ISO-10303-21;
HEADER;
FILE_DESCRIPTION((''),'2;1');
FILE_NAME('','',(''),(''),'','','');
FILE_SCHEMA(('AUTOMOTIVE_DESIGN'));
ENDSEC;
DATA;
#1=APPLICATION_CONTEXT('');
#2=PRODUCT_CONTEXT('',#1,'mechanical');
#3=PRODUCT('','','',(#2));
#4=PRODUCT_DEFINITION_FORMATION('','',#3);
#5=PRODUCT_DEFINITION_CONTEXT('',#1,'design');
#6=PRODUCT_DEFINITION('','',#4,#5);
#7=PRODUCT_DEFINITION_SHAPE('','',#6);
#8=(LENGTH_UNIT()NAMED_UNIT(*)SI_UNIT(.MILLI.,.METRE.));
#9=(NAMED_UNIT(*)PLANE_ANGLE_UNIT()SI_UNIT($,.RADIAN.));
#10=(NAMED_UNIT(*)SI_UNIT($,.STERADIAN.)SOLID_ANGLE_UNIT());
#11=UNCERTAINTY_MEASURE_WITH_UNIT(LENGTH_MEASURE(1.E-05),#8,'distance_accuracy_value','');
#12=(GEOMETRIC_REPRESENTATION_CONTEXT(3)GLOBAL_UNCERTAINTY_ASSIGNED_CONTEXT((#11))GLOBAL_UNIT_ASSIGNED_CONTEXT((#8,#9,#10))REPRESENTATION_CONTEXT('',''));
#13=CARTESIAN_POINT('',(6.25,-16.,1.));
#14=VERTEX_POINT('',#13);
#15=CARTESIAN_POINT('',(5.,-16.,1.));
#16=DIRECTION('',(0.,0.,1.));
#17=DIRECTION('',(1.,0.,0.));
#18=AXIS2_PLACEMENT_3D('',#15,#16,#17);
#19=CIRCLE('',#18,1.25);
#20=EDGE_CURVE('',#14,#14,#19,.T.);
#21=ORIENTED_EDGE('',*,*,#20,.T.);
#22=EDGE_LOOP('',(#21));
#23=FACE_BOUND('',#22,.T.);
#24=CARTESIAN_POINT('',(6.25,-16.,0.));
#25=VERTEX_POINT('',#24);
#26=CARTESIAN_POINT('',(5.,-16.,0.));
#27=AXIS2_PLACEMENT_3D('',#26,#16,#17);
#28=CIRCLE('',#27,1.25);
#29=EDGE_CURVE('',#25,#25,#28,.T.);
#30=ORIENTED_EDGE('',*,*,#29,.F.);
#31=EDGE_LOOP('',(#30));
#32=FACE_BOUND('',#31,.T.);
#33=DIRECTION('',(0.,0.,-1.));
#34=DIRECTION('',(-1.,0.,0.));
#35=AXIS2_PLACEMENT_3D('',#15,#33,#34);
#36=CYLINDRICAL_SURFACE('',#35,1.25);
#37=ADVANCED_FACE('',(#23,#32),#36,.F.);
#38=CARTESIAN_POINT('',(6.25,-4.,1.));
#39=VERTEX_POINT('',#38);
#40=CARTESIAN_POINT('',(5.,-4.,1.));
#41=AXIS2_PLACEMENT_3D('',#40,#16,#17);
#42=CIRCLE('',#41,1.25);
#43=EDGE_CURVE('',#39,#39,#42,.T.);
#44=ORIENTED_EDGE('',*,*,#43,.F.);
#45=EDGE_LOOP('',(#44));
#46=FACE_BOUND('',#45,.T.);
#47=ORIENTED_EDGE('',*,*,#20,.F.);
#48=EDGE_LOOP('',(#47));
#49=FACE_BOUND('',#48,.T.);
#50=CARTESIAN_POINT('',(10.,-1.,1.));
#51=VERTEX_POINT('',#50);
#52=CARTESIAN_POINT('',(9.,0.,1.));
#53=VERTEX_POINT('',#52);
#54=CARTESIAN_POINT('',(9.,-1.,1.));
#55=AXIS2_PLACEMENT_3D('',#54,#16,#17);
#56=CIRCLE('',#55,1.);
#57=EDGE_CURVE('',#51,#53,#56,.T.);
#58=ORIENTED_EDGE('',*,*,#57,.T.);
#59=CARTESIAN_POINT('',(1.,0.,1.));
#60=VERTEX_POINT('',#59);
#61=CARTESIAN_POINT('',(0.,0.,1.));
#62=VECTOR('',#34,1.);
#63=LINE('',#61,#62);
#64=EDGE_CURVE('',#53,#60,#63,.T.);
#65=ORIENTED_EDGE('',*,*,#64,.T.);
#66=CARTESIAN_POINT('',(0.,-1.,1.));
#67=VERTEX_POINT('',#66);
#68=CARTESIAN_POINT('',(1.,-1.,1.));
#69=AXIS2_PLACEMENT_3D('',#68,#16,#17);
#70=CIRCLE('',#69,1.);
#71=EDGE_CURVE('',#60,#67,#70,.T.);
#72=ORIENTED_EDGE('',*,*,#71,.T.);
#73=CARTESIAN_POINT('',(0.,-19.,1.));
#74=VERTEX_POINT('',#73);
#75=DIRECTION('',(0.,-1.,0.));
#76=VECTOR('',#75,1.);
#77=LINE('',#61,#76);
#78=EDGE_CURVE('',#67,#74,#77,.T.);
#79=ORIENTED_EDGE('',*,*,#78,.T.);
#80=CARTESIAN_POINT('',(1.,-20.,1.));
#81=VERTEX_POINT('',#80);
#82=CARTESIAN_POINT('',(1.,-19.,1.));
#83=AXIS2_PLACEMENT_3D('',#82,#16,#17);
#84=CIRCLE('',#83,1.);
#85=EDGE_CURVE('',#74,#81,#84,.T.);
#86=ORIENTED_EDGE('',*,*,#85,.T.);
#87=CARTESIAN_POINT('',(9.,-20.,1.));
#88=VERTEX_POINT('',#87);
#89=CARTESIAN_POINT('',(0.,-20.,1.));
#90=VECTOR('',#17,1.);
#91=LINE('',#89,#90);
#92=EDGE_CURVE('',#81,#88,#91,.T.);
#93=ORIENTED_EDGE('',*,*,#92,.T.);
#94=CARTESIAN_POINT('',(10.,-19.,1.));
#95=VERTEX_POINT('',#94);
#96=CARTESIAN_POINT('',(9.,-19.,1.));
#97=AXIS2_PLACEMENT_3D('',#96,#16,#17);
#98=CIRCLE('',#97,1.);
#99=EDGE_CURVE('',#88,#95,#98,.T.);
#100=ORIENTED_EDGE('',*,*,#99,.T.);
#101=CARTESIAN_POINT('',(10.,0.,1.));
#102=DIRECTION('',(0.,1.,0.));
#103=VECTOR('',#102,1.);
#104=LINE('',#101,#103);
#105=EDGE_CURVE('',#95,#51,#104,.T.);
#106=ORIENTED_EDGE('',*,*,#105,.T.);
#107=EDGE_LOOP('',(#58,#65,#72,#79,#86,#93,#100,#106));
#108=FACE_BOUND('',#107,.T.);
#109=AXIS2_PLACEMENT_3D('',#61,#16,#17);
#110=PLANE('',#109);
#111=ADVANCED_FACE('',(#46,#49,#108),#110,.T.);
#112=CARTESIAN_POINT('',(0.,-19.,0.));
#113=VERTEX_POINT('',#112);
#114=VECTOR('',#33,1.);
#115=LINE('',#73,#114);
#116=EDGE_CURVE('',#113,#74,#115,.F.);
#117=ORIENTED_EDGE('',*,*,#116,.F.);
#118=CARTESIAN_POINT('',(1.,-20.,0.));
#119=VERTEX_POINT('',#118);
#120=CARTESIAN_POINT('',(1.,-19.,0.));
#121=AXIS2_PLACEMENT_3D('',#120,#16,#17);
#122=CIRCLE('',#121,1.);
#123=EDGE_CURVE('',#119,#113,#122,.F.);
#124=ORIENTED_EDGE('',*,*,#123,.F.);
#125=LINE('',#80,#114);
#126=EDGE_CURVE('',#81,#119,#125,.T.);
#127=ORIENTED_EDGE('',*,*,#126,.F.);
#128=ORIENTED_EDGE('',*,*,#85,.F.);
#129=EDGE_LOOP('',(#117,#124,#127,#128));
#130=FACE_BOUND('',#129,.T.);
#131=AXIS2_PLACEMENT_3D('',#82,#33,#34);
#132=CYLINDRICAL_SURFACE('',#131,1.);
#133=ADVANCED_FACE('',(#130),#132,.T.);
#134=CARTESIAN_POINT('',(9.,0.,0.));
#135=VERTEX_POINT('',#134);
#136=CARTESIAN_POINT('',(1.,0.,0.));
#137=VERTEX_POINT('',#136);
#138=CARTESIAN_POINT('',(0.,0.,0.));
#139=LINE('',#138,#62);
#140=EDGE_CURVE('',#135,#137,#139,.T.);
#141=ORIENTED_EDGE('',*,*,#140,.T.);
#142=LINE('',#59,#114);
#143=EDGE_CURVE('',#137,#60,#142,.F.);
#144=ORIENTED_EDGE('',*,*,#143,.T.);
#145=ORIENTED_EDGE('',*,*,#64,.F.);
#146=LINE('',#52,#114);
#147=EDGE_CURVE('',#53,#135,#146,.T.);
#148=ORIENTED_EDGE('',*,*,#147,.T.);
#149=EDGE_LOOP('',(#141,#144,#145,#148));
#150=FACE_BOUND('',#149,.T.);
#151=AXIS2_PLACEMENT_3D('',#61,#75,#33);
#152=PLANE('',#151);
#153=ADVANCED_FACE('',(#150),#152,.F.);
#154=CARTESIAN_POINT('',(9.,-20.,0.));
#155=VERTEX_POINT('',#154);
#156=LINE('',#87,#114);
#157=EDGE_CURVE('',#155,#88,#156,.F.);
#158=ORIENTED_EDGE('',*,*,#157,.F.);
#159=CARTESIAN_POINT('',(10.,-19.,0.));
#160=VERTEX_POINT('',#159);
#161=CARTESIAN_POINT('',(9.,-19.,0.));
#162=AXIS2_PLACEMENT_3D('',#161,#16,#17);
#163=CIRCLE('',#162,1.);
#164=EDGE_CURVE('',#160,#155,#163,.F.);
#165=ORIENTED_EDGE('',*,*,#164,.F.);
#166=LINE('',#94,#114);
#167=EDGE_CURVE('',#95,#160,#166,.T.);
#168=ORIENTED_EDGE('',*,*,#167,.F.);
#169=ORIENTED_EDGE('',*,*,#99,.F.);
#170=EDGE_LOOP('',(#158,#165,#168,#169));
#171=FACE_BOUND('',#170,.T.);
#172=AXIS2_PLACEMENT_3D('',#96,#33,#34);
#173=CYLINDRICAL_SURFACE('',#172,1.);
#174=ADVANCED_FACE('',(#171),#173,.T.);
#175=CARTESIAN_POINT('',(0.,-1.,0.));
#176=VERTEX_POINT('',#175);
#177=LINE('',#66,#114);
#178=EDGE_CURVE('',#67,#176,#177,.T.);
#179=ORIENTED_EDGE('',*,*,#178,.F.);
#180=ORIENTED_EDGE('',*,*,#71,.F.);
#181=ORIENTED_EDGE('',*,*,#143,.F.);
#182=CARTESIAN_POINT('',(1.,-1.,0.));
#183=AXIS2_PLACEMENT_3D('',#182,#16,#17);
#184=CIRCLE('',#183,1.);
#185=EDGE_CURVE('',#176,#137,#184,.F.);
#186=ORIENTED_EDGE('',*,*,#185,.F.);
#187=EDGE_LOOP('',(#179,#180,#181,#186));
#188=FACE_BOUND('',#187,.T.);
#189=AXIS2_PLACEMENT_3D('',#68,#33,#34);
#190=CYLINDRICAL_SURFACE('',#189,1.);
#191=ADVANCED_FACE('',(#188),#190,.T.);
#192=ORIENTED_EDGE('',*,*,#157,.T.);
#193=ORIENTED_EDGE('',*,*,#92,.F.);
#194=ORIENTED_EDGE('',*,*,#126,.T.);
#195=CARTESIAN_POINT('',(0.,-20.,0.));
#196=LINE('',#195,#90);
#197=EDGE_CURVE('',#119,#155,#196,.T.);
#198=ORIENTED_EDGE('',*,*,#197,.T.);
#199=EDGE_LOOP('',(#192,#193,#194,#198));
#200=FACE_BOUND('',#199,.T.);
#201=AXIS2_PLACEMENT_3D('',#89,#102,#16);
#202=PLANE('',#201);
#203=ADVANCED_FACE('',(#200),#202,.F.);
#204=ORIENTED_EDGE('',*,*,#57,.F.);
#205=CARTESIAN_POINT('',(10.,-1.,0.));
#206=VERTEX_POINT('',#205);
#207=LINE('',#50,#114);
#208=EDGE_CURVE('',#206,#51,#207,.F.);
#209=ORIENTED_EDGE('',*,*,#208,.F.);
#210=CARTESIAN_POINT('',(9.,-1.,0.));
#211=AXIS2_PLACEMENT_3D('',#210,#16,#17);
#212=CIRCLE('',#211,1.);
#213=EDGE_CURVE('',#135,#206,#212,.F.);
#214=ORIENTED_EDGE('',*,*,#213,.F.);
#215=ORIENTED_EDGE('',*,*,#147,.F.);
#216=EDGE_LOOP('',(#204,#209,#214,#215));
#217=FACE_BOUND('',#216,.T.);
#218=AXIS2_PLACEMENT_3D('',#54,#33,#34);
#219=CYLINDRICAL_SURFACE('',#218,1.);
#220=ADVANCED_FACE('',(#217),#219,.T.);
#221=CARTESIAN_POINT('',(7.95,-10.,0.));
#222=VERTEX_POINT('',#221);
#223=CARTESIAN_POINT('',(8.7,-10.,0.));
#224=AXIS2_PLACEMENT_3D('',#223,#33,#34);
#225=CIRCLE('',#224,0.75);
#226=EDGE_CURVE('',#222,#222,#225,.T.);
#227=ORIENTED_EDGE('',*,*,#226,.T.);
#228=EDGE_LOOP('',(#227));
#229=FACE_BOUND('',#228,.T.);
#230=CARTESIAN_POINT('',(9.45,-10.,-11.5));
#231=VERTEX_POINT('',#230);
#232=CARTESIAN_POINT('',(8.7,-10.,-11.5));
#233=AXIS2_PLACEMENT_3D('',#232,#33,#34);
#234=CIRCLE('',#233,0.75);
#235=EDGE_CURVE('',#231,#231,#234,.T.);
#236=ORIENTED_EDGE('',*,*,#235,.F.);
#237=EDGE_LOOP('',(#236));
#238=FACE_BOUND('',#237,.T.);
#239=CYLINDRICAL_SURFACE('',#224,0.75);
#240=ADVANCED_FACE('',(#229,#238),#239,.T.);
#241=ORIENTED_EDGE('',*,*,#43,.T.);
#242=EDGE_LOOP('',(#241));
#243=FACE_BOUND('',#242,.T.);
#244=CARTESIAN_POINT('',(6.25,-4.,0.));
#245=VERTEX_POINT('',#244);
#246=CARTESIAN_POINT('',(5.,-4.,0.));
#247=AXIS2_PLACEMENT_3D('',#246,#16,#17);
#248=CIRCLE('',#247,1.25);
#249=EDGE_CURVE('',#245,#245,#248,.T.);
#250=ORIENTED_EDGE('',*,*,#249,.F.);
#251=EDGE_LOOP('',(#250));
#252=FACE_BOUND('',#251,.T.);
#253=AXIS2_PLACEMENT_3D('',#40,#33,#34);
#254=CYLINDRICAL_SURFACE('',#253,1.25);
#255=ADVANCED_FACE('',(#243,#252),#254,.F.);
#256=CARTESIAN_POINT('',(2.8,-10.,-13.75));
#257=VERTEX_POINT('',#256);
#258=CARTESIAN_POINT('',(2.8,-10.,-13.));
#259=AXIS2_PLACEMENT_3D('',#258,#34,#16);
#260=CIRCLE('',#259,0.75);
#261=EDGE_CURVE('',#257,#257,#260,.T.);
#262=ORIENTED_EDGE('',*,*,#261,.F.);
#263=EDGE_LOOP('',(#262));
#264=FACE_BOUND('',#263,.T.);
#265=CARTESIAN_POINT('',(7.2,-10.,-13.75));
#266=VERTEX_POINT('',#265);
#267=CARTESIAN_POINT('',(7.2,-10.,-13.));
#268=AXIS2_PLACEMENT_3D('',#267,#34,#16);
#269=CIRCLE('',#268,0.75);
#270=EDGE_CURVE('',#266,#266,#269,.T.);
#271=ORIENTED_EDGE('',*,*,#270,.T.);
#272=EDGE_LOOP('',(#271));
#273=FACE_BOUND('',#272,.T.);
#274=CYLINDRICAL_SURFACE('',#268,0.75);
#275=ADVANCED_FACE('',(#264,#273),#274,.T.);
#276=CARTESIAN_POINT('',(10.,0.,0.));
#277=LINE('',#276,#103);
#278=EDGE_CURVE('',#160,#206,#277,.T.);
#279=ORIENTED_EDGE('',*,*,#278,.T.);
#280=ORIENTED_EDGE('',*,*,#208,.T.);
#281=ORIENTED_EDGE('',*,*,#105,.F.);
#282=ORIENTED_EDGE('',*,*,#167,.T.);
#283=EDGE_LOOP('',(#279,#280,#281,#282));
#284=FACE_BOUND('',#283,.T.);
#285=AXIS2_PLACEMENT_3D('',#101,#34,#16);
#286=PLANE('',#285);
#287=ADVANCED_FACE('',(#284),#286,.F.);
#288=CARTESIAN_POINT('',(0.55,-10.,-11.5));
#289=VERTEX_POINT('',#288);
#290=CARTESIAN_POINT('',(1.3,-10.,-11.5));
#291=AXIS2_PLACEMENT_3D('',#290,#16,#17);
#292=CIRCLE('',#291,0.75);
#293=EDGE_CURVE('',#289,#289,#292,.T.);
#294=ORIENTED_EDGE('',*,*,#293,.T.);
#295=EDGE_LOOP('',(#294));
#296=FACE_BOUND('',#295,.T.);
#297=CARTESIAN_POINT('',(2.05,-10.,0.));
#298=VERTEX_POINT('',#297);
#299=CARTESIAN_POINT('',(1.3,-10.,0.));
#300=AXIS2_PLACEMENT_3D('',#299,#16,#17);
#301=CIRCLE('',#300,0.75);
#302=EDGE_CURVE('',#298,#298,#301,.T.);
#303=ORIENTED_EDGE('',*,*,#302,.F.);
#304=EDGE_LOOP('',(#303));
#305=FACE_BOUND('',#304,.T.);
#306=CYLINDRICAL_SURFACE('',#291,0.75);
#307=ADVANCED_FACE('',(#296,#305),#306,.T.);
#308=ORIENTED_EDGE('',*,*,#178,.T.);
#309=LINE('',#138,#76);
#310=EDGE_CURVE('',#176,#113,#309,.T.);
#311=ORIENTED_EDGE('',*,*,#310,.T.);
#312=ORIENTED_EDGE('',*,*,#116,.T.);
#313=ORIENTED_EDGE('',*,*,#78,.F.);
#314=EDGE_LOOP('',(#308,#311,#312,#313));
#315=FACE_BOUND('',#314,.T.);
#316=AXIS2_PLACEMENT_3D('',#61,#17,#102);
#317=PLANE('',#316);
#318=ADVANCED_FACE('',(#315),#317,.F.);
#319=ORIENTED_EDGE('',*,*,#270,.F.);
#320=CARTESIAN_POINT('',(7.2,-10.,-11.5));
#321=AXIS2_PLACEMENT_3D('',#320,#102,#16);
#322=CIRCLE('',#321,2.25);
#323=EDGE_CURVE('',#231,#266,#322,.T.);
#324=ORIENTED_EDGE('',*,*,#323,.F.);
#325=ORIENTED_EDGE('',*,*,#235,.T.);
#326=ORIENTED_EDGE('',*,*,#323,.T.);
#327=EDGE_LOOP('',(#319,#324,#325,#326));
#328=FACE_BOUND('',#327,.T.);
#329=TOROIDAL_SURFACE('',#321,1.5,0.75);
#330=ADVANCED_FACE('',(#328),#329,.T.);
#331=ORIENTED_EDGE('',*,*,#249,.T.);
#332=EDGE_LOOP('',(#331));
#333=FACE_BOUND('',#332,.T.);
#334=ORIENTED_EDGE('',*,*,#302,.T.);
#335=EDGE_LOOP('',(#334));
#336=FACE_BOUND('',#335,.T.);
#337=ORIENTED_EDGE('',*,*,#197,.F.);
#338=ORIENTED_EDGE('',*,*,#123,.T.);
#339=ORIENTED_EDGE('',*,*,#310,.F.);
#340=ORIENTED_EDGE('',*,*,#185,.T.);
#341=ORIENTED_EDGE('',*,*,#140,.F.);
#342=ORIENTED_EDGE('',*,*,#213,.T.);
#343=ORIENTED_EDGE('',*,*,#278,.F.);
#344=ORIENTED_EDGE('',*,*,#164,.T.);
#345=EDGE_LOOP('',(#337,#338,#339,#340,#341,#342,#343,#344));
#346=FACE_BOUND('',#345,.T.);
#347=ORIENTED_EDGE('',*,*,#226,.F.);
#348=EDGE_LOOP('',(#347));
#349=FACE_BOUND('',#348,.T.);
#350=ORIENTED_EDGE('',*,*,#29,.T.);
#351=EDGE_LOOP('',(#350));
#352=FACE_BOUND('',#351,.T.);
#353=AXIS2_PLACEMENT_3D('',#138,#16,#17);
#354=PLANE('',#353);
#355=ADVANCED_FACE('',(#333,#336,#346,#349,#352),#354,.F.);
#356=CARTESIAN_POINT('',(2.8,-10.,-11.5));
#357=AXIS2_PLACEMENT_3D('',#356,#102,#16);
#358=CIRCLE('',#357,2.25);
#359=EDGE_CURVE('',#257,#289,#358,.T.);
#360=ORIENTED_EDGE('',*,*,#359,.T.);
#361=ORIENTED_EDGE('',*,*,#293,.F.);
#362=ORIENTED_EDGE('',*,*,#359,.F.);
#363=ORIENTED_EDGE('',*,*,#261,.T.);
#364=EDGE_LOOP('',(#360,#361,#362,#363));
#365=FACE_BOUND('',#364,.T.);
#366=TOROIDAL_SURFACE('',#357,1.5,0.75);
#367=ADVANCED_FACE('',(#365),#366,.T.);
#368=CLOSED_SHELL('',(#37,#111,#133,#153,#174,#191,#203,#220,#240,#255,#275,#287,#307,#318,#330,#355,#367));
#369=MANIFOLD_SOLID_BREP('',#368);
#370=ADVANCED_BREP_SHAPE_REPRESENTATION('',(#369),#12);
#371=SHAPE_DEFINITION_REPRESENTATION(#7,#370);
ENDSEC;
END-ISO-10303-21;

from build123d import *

# Parameters (mm, degrees)
SKETCH_1_W      = 10
SKETCH_1_H      = 20
SKETCH_1_R      = 1.25
EXTRUDE_1_DEPTH = 1
FILLET_1_R      = 1
SKETCH_13_R     = 0.75


with BuildPart() as part:
    # 草图1 → 凸台-拉伸1 (new body)
    with BuildSketch(Plane.XY):
        with Locations((5, -10)):
            Rectangle(SKETCH_1_W, SKETCH_1_H)
        with Locations((5, -4)):
            Circle(SKETCH_1_R, mode=Mode.SUBTRACT)
        with Locations((5, -16)):
            Circle(SKETCH_1_R, mode=Mode.SUBTRACT)
    extrude(amount=EXTRUDE_1_DEPTH)

    # 圆角1
    fillet_1_edges = [part.edges().sort_by_distance(p)[0] for p in [
        (0, 0, 0.5),
        (10, 0, 0.5),
        (10, -20, 0.5),
        (0, -20, 0.5),
    ]]
    fillet(fillet_1_edges, radius=FILLET_1_R)

    # 扫描11: sweep along a path in 草图5
    with BuildLine(Plane(origin=(0, -10, 0), x_dir=(1, 0, 0), z_dir=(0, 1, 0))) as sweep_11_path:
        Line((1.3, 0), (1.3, 11.5))
        ThreePointArc((1.3, 11.5), (1.739339828, 12.560660172), (2.8, 13))
        Line((2.8, 13), (7.2, 13))
        ThreePointArc((7.2, 13), (8.260660172, 12.560660172), (8.7, 11.5))
        Line((8.7, 11.5), (8.7, 0))
    # 草图13 → 扫描11 (sweep)
    with BuildSketch(Plane(origin=(0, 0, 0), x_dir=(-1, 0, 0), z_dir=(0, 0, -1))):
        with Locations((-8.7, -10)):
            Circle(SKETCH_13_R)
    sweep(path=sweep_11_path.line)


solid = part.part
